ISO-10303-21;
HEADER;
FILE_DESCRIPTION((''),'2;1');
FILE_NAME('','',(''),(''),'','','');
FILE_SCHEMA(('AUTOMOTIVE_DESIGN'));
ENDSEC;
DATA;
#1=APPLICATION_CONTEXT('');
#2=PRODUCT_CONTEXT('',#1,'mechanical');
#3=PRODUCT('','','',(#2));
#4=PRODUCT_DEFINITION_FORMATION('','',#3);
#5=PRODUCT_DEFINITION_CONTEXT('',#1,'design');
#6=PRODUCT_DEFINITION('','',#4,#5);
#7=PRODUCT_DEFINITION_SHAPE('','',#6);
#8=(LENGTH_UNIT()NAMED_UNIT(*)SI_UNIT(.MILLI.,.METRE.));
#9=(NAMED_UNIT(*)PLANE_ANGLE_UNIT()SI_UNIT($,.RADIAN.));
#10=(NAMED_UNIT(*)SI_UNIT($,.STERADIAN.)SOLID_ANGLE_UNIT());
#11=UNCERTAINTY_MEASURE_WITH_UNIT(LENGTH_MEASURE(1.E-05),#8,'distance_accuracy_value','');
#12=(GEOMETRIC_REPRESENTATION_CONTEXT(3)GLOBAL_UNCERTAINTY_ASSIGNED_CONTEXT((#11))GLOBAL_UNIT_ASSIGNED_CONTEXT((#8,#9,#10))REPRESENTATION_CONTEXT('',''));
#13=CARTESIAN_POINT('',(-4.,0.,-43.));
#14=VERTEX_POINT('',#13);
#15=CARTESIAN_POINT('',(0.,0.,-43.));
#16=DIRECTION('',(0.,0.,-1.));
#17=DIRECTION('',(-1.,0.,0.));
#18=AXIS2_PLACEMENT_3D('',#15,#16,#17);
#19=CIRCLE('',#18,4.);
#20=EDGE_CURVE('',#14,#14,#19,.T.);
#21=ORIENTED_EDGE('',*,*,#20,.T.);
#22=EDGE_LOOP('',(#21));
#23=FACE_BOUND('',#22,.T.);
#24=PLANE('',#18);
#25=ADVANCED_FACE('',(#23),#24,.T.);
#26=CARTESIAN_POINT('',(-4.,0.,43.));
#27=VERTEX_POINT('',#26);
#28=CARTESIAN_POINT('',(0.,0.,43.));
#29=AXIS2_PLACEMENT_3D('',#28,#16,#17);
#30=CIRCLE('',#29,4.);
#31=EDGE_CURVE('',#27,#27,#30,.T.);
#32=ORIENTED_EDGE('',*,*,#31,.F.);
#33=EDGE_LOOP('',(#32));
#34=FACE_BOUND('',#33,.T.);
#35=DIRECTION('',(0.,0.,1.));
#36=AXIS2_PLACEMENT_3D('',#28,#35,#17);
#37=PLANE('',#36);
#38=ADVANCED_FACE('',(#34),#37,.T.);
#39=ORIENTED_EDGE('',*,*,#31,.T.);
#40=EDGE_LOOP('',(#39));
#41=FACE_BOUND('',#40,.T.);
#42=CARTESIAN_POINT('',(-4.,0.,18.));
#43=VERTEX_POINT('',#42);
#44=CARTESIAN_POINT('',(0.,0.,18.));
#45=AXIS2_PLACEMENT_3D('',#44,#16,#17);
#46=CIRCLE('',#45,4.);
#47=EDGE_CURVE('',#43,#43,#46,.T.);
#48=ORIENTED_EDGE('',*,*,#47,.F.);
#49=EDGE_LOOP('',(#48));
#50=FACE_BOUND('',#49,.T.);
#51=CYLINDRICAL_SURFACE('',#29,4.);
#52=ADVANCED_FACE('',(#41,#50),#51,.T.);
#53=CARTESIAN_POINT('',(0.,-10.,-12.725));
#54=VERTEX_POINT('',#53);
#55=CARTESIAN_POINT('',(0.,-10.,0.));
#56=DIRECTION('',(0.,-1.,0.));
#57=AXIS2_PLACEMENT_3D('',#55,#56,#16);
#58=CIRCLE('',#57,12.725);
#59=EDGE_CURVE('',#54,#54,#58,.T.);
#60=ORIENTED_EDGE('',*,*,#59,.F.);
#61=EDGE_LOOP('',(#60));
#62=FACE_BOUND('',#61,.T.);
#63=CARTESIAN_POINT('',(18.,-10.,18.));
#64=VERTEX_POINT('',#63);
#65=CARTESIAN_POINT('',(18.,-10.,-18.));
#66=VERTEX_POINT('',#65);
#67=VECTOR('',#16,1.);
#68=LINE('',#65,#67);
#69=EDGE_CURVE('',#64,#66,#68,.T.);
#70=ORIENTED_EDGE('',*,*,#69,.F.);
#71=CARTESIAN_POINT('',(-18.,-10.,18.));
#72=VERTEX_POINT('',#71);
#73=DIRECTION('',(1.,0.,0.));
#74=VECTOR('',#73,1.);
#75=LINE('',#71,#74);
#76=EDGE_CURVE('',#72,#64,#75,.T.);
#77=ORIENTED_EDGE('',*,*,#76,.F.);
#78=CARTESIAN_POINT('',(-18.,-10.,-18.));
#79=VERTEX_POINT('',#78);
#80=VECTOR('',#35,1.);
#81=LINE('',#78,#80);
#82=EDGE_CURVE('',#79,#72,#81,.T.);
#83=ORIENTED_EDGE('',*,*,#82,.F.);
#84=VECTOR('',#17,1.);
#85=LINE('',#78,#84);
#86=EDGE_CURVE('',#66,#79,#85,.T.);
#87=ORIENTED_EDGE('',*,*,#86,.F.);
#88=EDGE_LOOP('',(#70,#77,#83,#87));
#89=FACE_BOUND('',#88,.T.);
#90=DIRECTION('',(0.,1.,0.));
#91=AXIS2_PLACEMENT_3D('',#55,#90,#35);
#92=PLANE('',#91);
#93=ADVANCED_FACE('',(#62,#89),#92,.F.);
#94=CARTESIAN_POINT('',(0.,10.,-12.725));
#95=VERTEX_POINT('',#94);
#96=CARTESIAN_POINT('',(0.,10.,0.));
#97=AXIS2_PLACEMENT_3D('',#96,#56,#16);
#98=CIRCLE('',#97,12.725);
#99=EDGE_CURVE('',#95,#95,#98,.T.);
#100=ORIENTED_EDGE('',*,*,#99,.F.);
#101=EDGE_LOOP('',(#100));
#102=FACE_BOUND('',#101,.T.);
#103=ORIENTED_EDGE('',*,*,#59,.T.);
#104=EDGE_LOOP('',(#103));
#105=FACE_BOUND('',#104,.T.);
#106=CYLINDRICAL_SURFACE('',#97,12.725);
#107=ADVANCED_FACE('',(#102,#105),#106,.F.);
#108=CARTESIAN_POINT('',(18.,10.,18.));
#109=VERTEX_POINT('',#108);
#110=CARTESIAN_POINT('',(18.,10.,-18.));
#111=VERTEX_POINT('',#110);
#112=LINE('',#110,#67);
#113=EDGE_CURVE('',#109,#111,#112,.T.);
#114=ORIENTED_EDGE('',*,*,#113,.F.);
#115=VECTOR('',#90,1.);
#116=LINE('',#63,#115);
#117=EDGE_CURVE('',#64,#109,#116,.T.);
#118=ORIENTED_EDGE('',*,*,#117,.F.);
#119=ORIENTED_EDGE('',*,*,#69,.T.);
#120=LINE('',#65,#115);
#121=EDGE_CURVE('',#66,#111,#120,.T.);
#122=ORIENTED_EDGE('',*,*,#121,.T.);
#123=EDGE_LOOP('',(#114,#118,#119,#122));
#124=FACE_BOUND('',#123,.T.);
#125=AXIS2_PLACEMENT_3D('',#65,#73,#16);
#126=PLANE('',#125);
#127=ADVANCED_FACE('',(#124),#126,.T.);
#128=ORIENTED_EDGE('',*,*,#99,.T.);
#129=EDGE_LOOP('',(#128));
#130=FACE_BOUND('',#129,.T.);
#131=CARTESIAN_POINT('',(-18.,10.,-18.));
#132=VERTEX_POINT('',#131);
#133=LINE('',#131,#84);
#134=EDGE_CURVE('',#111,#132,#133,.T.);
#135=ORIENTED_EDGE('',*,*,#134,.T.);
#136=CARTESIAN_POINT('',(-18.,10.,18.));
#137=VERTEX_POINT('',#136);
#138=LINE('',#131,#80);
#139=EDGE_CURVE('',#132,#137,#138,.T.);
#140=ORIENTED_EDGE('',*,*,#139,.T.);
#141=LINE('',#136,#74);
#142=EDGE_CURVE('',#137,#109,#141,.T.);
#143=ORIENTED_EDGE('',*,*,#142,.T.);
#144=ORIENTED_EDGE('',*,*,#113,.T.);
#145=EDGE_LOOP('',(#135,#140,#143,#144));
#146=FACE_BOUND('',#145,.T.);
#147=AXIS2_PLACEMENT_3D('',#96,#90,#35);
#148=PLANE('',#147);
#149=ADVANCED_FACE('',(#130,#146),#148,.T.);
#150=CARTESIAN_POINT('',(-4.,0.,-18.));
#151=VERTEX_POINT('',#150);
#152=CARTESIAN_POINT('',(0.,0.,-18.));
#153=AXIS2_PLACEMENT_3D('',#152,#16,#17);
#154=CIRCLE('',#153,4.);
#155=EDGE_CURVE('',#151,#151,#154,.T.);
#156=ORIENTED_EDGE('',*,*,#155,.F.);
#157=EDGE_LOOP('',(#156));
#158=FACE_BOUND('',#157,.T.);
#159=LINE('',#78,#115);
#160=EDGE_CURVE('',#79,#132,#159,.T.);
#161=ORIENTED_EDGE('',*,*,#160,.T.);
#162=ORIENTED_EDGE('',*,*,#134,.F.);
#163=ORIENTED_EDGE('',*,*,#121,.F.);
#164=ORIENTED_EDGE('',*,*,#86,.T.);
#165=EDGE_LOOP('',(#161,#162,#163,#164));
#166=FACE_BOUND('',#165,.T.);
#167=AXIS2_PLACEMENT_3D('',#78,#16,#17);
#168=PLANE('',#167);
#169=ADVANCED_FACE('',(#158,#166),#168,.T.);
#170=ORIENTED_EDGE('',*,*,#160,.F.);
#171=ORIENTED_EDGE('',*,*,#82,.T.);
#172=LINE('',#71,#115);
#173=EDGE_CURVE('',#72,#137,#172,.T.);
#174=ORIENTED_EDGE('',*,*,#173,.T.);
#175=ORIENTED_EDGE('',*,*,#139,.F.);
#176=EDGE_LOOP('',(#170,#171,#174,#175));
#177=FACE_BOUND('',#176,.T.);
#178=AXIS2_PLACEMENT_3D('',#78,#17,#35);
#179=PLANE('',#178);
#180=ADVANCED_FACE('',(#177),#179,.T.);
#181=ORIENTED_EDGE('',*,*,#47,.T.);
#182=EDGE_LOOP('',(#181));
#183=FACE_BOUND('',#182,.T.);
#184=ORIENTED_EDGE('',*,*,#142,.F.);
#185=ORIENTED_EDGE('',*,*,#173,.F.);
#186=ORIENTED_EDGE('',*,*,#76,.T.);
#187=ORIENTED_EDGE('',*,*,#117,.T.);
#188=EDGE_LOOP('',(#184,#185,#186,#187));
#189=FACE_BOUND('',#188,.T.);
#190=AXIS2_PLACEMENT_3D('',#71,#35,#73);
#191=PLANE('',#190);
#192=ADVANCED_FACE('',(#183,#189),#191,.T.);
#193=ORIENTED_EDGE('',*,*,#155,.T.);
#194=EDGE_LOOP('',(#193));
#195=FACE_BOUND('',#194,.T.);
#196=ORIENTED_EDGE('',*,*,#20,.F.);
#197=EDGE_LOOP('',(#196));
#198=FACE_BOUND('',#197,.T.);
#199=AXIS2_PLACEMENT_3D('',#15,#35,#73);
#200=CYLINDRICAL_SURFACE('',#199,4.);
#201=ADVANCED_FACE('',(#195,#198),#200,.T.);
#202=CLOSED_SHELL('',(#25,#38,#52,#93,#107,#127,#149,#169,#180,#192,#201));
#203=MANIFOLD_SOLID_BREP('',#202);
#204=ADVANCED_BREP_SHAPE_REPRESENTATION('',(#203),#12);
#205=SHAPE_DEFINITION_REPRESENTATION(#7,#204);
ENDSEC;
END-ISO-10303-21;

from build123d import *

# Parameters (mm, degrees)
BOSS_EXTRUDE1_DEPTH      = 10
BOSS_EXTRUDE1_DEPTH_BACK = 10
SKETCH1_W                = 36
SKETCH1_H                = 36
SKETCH2_R                = 12.725
CUT_EXTRUDE1_DEPTH       = 33.372828112
SKETCH5_R                = 4
BOSS_EXTRUDE2_DEPTH      = 25


with BuildPart() as part:
    # Sketch1 → Boss-Extrude1 (new, two sides: drawn at the far end of the back side and taken through both)
    with BuildSketch(Plane(origin=(0, 0, 0), x_dir=(1, 0, 0), z_dir=(0, 1, 0)).offset(-BOSS_EXTRUDE1_DEPTH_BACK)):
        Rectangle(SKETCH1_W, SKETCH1_H)
    extrude(amount=BOSS_EXTRUDE1_DEPTH + BOSS_EXTRUDE1_DEPTH_BACK)

    # Sketch2 → Cut-Extrude1 (cut, through all)
    with BuildSketch(Plane.XZ.offset(10)):
        Circle(SKETCH2_R)
    extrude(amount=-CUT_EXTRUDE1_DEPTH, mode=Mode.SUBTRACT)

    # Sketch5 → Boss-Extrude2 (add)
    with BuildSketch(Plane(origin=(0, 0, -18), x_dir=(-1, 0, 0), z_dir=(0, 0, -1))):
        Circle(SKETCH5_R)
    boss_extrude2 = extrude(amount=BOSS_EXTRUDE2_DEPTH)

    # Mirror1: Boss-Extrude2 across plane
    add(boss_extrude2.mirror(Plane.XY))


solid = part.part
